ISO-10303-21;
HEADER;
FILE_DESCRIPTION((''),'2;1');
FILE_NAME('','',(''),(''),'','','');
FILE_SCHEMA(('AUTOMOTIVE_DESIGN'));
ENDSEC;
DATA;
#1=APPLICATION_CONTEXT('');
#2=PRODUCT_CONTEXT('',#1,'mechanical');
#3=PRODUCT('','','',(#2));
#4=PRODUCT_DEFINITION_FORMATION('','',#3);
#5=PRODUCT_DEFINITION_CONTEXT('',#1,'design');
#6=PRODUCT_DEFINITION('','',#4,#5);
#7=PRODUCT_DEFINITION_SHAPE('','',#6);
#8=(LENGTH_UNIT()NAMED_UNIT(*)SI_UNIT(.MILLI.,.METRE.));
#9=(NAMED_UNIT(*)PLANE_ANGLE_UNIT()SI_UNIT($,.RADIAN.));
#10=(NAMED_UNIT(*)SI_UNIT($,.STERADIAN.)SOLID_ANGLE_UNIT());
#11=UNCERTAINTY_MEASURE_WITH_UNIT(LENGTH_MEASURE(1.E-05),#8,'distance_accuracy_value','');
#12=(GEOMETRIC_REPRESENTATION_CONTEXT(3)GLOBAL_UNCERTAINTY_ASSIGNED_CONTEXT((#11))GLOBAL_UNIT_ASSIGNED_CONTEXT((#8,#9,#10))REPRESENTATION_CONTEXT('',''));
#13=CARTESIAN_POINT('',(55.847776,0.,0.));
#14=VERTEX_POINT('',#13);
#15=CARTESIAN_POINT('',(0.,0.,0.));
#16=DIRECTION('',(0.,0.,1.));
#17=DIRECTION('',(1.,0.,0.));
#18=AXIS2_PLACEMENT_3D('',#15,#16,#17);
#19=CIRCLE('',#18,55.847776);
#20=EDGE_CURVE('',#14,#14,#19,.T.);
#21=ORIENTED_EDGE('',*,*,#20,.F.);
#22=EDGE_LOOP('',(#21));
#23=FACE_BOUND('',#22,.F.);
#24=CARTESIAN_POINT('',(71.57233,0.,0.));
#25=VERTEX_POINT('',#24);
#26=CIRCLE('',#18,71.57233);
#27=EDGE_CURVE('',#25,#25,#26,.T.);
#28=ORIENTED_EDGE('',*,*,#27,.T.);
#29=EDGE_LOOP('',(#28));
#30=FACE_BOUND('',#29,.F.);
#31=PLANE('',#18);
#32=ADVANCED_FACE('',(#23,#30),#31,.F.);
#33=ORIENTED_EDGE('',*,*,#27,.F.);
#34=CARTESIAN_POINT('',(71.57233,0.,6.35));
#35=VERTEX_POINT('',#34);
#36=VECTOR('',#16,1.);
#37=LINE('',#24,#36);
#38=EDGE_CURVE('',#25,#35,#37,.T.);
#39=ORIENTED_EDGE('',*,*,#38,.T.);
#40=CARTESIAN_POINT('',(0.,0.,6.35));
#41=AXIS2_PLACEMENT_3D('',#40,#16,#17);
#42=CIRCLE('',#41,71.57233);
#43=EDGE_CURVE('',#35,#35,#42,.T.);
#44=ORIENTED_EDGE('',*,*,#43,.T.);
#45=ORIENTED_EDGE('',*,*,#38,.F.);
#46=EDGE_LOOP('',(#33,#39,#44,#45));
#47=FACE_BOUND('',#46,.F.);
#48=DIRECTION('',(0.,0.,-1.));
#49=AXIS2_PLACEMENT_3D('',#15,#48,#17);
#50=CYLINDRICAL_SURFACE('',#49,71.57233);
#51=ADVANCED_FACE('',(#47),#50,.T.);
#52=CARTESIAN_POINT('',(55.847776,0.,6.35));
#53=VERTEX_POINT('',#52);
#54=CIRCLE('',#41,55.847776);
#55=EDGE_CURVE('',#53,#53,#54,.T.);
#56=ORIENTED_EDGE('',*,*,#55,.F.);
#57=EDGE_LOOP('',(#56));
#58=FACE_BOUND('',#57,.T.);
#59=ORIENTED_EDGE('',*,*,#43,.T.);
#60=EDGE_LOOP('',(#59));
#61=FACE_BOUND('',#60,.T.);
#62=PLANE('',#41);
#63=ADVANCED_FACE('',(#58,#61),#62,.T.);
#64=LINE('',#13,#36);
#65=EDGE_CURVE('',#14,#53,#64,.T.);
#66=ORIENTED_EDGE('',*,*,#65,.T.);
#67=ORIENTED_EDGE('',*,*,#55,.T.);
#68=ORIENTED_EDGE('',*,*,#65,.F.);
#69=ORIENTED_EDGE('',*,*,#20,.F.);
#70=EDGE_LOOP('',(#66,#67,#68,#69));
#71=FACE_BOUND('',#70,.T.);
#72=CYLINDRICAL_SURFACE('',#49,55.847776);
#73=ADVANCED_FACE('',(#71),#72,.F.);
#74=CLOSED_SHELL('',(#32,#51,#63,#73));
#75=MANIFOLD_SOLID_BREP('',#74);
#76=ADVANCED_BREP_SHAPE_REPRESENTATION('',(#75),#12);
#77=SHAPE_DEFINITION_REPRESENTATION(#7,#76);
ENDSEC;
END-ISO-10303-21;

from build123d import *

# Parameters (mm, degrees)
F1_R     = 71.57233
F1_R_2   = 55.847776
F2_DEPTH = 6.35


with BuildPart() as f2:
    # F1 (on face) → F2 (new body)
    with BuildSketch(Plane.XY):
        Circle(F1_R)
        Circle(F1_R_2, mode=Mode.SUBTRACT)
    extrude(amount=F2_DEPTH)


solid = f2.part
